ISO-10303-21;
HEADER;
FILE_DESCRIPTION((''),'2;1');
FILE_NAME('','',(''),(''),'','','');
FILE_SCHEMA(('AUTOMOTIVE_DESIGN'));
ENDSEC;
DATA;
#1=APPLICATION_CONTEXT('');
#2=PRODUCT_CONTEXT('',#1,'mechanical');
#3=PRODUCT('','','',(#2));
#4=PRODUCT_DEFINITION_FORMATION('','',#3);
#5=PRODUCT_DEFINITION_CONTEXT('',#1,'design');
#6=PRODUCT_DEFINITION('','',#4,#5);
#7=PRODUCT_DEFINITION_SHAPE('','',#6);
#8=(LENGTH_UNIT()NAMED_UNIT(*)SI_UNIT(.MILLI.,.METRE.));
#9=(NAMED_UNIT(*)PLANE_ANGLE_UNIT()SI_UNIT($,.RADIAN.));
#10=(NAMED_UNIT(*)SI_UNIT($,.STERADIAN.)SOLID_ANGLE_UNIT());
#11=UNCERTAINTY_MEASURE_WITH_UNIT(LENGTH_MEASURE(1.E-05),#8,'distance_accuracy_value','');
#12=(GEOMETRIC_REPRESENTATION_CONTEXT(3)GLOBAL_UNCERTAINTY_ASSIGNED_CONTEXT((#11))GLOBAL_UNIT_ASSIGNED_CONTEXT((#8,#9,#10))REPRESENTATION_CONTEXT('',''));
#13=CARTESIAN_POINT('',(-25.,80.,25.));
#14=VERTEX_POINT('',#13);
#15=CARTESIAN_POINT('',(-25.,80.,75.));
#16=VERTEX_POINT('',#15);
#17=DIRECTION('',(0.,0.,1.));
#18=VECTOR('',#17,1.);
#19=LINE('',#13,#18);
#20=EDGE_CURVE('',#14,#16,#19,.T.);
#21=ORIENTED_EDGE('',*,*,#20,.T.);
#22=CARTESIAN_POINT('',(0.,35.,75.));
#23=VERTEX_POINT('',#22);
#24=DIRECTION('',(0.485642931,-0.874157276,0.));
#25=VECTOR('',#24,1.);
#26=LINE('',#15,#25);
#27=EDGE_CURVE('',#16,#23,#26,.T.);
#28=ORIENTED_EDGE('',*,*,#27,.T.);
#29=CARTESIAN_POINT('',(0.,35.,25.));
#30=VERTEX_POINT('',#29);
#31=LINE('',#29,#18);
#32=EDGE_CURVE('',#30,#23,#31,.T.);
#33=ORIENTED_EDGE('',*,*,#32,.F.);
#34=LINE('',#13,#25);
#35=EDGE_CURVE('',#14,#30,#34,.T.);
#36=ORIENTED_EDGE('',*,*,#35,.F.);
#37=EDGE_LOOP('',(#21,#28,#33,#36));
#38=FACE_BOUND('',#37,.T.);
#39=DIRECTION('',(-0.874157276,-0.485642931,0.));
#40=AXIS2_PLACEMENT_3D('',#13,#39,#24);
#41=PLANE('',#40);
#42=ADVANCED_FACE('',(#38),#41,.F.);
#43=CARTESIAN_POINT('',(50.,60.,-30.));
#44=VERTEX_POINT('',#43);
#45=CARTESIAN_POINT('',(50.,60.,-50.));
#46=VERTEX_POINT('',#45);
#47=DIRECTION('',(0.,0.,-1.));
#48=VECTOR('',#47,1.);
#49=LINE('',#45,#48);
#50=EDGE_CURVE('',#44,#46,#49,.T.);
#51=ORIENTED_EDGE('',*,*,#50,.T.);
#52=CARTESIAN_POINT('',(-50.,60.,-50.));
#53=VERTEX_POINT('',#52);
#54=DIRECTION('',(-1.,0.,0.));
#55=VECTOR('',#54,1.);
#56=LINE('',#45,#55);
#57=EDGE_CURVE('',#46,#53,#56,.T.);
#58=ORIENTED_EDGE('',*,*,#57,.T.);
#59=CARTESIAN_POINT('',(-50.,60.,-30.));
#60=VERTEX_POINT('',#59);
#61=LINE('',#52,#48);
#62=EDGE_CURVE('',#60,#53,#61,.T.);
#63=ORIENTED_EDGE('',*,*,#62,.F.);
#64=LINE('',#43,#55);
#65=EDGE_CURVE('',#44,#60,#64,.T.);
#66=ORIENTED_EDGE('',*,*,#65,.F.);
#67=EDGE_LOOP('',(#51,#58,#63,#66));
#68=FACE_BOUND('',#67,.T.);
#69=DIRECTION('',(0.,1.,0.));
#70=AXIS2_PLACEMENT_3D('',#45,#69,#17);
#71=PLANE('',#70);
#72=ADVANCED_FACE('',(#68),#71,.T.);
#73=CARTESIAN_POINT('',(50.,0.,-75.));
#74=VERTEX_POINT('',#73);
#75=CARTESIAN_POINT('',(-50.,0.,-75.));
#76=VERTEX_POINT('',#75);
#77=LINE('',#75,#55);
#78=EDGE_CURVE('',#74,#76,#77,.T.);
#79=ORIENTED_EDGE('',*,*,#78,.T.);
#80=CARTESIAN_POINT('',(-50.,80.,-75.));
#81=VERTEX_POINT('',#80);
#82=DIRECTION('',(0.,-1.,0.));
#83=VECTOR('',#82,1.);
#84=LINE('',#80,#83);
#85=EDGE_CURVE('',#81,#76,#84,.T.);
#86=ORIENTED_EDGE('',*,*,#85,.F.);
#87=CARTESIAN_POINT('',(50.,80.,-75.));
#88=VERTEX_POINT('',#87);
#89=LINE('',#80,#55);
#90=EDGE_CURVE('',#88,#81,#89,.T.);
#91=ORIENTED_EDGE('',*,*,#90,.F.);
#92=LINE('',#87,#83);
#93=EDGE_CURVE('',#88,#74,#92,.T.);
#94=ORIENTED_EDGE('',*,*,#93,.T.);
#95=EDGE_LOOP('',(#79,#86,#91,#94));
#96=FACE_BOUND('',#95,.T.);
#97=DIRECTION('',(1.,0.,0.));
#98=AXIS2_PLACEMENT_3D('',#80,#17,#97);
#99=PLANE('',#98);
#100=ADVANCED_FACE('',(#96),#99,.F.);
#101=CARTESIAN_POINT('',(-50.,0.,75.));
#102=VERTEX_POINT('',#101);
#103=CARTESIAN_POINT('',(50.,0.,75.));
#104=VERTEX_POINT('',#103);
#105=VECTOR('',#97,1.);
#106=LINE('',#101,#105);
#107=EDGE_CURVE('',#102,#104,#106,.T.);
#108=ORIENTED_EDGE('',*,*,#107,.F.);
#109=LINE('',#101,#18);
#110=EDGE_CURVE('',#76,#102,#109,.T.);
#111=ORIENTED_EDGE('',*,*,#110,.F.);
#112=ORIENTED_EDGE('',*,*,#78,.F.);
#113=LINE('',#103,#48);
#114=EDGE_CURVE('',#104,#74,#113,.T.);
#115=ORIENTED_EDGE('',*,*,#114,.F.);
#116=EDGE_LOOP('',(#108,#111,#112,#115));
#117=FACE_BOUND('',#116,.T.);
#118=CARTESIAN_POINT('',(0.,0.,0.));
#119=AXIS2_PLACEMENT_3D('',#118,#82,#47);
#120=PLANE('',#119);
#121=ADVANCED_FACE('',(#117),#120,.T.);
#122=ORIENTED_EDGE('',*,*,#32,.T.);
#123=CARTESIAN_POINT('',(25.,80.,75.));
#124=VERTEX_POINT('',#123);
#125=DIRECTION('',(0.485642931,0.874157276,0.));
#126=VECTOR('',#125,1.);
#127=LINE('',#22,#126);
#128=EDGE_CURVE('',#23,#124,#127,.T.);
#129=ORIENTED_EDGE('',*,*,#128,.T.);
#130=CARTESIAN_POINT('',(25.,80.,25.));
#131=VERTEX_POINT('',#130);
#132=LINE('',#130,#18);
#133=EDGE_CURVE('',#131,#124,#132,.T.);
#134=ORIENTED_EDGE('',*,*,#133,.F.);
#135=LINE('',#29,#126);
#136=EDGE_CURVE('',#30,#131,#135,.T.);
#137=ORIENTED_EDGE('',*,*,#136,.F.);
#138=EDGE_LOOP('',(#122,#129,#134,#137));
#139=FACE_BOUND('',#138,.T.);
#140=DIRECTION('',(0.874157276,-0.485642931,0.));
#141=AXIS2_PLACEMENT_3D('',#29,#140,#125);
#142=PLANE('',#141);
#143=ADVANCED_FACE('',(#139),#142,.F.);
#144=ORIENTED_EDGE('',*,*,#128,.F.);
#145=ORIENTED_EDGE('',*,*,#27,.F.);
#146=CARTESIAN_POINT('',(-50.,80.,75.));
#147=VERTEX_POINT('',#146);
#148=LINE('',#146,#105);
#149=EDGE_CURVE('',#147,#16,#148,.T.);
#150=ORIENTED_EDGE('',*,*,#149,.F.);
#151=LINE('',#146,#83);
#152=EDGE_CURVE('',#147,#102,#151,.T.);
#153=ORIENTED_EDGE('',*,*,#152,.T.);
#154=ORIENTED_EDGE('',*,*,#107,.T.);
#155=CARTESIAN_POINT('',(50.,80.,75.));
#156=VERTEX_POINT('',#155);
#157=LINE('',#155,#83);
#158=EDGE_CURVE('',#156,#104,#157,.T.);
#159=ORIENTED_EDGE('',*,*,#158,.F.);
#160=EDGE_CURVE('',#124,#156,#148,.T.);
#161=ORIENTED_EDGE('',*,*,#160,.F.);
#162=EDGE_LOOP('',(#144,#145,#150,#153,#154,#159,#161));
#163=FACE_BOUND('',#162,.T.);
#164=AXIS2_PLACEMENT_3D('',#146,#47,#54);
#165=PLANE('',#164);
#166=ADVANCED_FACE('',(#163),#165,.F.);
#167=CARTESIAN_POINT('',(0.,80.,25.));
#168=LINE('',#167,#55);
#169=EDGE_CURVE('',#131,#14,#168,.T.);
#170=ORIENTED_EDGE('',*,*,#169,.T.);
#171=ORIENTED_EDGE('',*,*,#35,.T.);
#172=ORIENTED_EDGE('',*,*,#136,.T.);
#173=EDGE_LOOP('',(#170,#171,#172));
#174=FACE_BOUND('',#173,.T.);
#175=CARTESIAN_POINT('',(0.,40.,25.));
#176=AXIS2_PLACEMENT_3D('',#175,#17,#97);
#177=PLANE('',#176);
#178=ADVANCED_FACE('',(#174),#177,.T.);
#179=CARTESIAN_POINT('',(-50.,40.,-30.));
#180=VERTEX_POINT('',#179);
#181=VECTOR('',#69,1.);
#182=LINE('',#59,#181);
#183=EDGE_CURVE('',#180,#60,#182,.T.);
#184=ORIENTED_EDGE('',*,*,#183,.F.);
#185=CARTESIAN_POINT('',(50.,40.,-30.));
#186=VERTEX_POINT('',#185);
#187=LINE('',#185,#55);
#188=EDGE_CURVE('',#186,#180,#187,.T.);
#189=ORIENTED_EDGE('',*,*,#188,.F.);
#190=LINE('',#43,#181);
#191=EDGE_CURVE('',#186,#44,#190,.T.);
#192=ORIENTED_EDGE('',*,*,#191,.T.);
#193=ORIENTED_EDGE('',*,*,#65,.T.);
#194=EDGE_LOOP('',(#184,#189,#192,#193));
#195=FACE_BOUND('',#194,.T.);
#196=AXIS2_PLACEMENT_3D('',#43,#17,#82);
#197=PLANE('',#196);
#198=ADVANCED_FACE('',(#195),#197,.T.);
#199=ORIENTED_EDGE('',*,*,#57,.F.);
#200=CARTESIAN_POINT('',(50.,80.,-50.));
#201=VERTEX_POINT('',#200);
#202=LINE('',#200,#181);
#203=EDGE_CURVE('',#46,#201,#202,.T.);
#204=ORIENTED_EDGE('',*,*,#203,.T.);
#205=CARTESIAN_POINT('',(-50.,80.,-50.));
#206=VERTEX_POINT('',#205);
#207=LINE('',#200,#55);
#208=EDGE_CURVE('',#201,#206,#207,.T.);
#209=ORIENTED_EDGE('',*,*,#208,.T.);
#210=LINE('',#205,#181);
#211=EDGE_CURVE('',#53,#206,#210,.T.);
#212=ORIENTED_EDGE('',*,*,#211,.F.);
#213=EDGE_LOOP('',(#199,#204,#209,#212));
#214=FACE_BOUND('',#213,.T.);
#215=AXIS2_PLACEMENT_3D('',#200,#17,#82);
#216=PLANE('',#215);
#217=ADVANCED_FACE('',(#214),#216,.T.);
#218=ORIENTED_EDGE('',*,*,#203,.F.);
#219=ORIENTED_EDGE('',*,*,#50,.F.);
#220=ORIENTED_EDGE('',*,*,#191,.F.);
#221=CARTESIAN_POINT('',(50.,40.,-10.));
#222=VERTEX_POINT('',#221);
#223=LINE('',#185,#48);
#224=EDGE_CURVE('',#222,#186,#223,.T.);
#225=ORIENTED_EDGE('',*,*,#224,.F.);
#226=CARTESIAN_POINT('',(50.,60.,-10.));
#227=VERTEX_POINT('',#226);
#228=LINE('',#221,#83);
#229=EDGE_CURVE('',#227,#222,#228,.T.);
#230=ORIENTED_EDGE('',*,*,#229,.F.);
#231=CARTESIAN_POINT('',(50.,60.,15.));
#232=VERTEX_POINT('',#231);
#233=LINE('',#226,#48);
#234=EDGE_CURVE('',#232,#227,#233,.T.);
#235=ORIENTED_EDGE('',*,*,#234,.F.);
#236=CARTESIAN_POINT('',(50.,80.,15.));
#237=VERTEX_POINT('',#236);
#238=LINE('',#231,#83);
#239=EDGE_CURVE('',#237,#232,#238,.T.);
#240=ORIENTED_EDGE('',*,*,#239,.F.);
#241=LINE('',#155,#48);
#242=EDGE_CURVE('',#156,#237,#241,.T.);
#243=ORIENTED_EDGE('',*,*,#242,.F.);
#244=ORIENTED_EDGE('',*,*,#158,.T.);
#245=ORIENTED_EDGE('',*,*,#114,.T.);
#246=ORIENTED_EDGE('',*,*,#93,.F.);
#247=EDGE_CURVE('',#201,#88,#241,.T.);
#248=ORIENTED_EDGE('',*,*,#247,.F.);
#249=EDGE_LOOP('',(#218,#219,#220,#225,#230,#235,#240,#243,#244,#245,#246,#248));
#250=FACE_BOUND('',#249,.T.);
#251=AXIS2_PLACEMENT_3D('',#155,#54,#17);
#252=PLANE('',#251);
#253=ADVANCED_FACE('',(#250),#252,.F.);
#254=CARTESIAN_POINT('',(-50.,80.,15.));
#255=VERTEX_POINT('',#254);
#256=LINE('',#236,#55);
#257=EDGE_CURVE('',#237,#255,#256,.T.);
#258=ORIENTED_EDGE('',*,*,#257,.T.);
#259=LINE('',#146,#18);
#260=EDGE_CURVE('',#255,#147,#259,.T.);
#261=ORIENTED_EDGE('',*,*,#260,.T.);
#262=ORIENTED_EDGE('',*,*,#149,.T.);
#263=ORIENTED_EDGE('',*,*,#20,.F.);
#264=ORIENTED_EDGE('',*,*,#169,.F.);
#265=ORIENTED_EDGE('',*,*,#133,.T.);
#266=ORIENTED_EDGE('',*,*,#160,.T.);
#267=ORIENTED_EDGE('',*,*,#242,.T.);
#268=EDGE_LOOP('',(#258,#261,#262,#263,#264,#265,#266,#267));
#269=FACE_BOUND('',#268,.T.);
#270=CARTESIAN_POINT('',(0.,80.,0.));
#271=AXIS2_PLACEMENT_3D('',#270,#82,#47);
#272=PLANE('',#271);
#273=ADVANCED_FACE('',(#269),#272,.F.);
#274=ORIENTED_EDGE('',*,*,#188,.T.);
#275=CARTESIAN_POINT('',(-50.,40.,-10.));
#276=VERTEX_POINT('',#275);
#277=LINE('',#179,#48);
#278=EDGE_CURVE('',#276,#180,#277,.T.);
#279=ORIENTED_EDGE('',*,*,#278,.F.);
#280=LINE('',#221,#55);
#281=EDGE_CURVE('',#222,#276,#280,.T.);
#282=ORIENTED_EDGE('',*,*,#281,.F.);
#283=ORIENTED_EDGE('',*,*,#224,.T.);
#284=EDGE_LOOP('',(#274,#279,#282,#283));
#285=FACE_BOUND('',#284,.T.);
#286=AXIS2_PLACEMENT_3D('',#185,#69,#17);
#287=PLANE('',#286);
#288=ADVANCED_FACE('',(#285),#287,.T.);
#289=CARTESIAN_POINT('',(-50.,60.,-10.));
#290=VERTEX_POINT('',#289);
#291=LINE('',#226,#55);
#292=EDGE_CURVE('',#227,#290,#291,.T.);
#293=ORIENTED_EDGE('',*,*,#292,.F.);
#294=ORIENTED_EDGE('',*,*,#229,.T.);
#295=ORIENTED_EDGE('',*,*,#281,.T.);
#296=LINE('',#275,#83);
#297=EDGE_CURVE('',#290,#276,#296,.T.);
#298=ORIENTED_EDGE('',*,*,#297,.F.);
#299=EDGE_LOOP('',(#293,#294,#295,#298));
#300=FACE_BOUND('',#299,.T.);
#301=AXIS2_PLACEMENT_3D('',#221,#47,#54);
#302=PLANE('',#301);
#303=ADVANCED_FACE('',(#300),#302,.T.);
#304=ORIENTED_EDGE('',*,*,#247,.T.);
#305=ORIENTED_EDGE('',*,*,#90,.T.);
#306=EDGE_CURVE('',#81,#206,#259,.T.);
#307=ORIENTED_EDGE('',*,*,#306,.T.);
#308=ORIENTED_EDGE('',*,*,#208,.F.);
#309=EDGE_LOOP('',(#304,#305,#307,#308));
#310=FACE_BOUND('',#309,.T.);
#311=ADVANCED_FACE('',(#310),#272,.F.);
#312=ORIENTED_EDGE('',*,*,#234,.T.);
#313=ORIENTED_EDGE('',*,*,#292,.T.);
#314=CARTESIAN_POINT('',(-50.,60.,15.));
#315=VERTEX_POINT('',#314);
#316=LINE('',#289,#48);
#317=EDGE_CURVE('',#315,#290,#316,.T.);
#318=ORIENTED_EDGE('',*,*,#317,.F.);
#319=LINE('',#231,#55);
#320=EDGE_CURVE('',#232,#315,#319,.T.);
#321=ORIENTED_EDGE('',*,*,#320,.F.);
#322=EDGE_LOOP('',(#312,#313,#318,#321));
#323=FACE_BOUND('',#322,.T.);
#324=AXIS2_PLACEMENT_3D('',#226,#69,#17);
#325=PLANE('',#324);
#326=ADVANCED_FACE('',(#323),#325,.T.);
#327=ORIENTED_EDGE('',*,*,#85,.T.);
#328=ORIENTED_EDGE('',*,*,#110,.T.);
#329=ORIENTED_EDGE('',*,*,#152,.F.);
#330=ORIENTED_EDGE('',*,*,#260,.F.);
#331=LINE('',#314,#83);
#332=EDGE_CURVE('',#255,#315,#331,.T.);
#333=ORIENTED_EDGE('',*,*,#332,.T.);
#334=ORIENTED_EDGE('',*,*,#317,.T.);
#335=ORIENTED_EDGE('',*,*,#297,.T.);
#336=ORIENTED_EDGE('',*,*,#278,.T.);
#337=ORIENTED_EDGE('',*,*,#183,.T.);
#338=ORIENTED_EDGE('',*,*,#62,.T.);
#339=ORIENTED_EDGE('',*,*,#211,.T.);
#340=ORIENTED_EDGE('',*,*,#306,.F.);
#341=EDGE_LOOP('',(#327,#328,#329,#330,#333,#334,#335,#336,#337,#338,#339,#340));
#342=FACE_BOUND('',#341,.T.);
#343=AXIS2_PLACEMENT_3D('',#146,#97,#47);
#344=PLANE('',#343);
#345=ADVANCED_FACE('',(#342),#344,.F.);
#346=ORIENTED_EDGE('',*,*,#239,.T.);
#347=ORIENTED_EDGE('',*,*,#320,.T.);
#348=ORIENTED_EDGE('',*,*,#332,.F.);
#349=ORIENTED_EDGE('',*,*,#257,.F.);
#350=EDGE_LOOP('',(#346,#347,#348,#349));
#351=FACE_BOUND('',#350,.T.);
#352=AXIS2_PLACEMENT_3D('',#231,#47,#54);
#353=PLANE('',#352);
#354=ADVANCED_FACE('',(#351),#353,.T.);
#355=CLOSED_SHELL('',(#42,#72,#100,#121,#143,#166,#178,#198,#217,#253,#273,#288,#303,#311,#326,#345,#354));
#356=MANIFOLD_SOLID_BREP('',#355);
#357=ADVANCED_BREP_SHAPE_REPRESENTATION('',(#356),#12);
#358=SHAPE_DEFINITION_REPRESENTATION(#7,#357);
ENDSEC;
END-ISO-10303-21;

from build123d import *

# Parameters (mm, degrees)
SKETCH1_W           = 100
SKETCH1_H           = 150
BOSS_EXTRUDE1_DEPTH = 80
SKETCH2_OUTSIDE_W   = 141.446
SKETCH2_OUTSIDE_H   = 121.446
CUT_EXTRUDE2_DEPTH  = 50
SKETCH4_OUTSIDE_W   = 191.446
SKETCH4_OUTSIDE_H   = 121.446
CUT_EXTRUDE3_DEPTH  = 100


with BuildPart() as part:
    # Sketch1 → Boss-Extrude1 (new body)
    with BuildSketch(Plane(origin=(0, 0, 0), x_dir=(1, 0, 0), z_dir=(0, 1, 0))):
        Rectangle(SKETCH1_W, SKETCH1_H)
    extrude(amount=BOSS_EXTRUDE1_DEPTH)

    # Sketch2 outside → Cut-Extrude2 (cut)
    with BuildSketch(Plane.XY.offset(75)):
        with Locations((0, 40)):
            Rectangle(SKETCH2_OUTSIDE_W, SKETCH2_OUTSIDE_H)
        Polygon((50, 0), (-50, 0), (-50, 80), (-25, 80), (0, 35), (25, 80), (50, 80), align=None, mode=Mode.SUBTRACT)
    extrude(amount=-CUT_EXTRUDE2_DEPTH, mode=Mode.SUBTRACT)

    # Sketch4 outside → Cut-Extrude3 (cut)
    with BuildSketch(Plane.ZY.offset(50)):
        with Locations((0, 40)):
            Rectangle(SKETCH4_OUTSIDE_W, SKETCH4_OUTSIDE_H)
        Polygon((-75, 80), (-50, 80), (-50, 60), (-30, 60), (-30, 40), (-10, 40), (-10, 60), (15, 60), (15, 80), (75, 80), (75, 0), (-75, 0), align=None, mode=Mode.SUBTRACT)
    extrude(amount=-CUT_EXTRUDE3_DEPTH, mode=Mode.SUBTRACT)


solid = part.part
